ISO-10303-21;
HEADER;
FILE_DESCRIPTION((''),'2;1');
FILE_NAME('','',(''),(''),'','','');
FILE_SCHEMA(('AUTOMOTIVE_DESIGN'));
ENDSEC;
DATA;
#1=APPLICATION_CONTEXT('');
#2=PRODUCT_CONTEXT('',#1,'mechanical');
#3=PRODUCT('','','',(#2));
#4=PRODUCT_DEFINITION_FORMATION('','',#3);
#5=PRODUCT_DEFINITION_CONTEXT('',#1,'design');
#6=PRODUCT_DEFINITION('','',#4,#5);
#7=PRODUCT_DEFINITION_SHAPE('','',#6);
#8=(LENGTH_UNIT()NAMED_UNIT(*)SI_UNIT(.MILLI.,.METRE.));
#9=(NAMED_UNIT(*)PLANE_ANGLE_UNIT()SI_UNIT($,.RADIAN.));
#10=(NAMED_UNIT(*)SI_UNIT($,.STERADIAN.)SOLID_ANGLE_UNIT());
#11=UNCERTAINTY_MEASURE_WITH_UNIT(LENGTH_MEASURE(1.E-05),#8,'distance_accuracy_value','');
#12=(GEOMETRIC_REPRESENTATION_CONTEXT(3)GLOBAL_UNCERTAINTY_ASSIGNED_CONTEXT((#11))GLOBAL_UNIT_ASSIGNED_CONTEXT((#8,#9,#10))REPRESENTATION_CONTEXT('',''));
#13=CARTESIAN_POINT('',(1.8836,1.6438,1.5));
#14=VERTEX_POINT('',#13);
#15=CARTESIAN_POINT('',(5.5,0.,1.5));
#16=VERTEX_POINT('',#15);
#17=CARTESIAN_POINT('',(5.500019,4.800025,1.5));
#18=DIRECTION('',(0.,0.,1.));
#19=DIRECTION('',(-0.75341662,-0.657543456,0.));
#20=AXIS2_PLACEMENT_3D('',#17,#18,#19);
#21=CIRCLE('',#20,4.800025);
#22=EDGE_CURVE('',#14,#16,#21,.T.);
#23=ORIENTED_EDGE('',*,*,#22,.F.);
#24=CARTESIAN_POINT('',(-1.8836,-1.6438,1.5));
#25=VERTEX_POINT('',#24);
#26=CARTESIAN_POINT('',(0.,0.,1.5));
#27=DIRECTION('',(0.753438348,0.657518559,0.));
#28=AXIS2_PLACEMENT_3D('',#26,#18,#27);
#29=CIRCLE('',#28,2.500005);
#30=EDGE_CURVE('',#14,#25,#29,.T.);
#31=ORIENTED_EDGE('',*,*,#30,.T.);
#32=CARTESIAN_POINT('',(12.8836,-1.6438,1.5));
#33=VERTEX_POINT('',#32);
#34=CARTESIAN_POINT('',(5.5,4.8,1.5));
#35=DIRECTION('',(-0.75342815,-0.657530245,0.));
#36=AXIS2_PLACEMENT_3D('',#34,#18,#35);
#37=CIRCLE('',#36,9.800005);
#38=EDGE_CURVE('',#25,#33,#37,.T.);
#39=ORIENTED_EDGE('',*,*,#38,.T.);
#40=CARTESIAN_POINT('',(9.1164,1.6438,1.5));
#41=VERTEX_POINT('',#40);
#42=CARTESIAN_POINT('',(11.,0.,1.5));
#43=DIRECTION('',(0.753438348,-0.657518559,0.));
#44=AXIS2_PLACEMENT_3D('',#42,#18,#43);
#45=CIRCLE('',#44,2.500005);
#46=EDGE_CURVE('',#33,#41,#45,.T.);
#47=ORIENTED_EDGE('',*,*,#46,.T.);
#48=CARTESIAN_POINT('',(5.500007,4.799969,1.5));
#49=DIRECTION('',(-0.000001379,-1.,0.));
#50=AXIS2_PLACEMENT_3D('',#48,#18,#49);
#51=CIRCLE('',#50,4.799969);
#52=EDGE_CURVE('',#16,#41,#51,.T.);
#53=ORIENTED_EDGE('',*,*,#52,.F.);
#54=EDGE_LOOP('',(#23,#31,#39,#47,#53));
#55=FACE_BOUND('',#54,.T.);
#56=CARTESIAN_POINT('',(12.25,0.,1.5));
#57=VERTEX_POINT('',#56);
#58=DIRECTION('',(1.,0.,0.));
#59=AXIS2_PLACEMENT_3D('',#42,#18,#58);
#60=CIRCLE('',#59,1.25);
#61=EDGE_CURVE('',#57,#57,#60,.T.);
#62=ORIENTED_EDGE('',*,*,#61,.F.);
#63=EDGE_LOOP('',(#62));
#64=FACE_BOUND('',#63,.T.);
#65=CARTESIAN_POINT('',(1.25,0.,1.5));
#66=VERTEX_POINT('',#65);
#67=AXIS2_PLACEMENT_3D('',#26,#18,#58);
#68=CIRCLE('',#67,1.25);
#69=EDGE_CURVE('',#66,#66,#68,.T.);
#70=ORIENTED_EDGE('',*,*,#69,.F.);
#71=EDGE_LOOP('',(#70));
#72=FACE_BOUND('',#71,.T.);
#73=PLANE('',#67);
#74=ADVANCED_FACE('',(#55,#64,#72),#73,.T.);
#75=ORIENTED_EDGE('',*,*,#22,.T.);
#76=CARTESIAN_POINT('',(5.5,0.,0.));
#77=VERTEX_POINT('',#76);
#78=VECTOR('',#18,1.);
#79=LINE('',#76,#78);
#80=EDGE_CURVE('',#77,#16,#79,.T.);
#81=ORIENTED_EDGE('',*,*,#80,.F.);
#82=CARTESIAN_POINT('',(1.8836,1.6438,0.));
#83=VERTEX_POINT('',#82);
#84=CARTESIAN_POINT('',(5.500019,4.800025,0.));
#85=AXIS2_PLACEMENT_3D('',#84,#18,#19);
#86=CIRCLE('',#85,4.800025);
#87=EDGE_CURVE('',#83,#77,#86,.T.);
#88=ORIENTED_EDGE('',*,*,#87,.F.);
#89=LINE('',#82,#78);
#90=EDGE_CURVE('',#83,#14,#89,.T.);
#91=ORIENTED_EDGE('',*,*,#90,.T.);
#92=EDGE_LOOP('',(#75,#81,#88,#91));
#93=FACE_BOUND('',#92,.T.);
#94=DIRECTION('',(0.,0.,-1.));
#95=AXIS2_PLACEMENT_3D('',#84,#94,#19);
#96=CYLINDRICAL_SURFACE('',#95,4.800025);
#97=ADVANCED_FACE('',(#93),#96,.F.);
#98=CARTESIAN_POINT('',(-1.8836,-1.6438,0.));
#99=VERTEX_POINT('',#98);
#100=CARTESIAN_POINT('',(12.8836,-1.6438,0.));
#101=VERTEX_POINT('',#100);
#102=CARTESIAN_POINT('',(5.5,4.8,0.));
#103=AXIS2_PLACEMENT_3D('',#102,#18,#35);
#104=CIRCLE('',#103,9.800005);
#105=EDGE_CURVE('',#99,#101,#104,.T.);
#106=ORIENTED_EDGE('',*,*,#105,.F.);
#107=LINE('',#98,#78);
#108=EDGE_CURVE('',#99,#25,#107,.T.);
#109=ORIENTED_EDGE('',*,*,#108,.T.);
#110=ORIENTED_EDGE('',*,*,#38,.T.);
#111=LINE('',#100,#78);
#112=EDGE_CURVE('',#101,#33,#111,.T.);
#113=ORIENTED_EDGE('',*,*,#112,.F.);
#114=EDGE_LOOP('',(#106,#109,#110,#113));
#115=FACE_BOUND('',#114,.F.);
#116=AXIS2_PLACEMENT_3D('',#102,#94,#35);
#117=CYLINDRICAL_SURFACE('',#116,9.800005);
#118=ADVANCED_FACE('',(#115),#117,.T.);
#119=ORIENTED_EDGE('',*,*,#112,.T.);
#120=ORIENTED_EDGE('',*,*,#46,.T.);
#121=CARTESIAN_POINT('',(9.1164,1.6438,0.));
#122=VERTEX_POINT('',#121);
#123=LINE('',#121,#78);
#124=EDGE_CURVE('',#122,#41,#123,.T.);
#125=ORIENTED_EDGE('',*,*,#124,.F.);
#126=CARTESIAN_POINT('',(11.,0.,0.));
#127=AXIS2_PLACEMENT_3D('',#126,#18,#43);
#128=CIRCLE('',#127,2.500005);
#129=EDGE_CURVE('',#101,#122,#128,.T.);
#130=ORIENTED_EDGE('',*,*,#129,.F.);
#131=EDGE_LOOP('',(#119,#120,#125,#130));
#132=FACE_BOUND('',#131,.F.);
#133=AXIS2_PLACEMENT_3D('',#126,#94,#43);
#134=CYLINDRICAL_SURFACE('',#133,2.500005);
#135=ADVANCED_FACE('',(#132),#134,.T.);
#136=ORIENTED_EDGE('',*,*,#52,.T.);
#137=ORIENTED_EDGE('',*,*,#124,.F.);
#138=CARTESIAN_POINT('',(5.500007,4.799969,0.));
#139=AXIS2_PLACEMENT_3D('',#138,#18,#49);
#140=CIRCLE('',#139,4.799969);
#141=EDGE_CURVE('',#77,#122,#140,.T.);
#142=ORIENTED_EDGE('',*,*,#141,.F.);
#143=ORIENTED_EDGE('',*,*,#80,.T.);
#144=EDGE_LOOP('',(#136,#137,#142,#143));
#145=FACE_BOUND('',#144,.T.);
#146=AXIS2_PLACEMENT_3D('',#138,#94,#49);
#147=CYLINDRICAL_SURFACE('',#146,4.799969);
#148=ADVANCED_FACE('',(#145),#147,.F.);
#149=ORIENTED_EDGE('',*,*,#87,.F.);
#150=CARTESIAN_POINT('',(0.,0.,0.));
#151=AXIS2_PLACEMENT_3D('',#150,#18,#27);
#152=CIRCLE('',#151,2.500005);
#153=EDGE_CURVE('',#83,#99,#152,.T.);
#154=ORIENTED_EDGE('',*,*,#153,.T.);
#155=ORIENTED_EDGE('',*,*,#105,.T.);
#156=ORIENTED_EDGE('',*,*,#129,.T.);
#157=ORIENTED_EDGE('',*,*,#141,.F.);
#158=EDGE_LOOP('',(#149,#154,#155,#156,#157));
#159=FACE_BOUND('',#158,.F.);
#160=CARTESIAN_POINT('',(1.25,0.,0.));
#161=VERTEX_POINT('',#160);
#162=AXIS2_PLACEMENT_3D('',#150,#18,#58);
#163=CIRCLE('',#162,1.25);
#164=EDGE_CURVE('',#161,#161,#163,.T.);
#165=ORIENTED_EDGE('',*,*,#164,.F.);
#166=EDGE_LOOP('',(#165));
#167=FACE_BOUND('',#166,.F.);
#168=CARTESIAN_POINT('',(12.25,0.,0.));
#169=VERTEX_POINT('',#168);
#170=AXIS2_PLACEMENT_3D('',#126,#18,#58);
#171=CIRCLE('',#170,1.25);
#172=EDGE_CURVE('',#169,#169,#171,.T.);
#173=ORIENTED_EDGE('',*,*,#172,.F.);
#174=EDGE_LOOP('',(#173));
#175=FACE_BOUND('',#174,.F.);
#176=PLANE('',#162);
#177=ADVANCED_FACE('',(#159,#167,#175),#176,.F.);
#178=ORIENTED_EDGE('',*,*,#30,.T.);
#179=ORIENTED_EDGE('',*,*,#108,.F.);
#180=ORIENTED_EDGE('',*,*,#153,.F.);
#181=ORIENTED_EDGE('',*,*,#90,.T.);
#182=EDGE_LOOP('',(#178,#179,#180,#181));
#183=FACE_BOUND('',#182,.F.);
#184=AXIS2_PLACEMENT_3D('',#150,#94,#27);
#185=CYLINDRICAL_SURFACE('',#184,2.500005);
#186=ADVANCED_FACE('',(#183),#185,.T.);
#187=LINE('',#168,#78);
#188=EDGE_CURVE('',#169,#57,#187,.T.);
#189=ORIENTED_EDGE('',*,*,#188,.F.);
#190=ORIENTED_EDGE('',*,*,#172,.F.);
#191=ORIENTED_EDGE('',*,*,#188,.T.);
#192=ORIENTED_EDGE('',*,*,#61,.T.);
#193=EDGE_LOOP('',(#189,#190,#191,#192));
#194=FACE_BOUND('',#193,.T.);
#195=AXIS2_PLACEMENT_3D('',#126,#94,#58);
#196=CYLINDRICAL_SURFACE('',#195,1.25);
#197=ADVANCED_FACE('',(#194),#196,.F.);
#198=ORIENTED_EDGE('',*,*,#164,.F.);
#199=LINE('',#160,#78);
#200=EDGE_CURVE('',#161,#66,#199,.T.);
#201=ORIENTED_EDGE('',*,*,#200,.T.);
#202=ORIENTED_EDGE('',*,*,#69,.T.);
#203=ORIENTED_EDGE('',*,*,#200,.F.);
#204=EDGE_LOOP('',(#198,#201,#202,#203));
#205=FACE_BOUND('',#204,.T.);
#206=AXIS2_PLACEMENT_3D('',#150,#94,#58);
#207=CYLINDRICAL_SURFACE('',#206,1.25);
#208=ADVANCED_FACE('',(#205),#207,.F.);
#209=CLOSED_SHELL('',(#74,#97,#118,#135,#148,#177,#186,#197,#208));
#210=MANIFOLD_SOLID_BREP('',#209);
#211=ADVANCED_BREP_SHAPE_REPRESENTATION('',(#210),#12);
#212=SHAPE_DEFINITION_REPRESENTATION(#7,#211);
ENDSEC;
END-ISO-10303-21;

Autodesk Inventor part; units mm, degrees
ref_plane "YZ Plane" through (0, 0, 0) normal (1, 0, 0) x (0, 1, 0)
ref_plane "XZ Plane" through (0, 0, 0) normal (0, 1, 0) x (-1, 0, 0)
ref_plane "XY Plane" through (0, 0, 0) normal (0, 0, 1) x (1, 0, 0)
sketch "Sketch1" plane through (0, 0, 0) normal (0, 0, 1) x (1, 0, 0)
  circle A0 centre (0, 0) radius 1.25
  line L0 (0, 0) -> (11, 0) construction
  circle A1 centre (11, 0) radius 1.25
  arc A2 (1.8836, 1.6438) -> (-1.8836, -1.6438) centre (0, 0) ccw
  arc A3 (12.8836, -1.6438) -> (9.1164, 1.6438) centre (11, 0) ccw
  arc A4 (-1.8836, -1.6438) -> (12.8836, -1.6438) centre (5.5, 4.8) ccw
  arc A5 (1.8836, 1.6438) -> (5.5, 0) centre (5.5, 4.8) ccw
  arc A6 (5.5, 0) -> (9.1164, 1.6438) centre (5.5, 4.8) ccw
  dimension "d0" = 2.5
  dimension "d1" = 11
  dimension "d8" = 5
extrude "Extrusion1" add sketch "Sketch1" along normal blind 1.5
properties part number "linkageC"
